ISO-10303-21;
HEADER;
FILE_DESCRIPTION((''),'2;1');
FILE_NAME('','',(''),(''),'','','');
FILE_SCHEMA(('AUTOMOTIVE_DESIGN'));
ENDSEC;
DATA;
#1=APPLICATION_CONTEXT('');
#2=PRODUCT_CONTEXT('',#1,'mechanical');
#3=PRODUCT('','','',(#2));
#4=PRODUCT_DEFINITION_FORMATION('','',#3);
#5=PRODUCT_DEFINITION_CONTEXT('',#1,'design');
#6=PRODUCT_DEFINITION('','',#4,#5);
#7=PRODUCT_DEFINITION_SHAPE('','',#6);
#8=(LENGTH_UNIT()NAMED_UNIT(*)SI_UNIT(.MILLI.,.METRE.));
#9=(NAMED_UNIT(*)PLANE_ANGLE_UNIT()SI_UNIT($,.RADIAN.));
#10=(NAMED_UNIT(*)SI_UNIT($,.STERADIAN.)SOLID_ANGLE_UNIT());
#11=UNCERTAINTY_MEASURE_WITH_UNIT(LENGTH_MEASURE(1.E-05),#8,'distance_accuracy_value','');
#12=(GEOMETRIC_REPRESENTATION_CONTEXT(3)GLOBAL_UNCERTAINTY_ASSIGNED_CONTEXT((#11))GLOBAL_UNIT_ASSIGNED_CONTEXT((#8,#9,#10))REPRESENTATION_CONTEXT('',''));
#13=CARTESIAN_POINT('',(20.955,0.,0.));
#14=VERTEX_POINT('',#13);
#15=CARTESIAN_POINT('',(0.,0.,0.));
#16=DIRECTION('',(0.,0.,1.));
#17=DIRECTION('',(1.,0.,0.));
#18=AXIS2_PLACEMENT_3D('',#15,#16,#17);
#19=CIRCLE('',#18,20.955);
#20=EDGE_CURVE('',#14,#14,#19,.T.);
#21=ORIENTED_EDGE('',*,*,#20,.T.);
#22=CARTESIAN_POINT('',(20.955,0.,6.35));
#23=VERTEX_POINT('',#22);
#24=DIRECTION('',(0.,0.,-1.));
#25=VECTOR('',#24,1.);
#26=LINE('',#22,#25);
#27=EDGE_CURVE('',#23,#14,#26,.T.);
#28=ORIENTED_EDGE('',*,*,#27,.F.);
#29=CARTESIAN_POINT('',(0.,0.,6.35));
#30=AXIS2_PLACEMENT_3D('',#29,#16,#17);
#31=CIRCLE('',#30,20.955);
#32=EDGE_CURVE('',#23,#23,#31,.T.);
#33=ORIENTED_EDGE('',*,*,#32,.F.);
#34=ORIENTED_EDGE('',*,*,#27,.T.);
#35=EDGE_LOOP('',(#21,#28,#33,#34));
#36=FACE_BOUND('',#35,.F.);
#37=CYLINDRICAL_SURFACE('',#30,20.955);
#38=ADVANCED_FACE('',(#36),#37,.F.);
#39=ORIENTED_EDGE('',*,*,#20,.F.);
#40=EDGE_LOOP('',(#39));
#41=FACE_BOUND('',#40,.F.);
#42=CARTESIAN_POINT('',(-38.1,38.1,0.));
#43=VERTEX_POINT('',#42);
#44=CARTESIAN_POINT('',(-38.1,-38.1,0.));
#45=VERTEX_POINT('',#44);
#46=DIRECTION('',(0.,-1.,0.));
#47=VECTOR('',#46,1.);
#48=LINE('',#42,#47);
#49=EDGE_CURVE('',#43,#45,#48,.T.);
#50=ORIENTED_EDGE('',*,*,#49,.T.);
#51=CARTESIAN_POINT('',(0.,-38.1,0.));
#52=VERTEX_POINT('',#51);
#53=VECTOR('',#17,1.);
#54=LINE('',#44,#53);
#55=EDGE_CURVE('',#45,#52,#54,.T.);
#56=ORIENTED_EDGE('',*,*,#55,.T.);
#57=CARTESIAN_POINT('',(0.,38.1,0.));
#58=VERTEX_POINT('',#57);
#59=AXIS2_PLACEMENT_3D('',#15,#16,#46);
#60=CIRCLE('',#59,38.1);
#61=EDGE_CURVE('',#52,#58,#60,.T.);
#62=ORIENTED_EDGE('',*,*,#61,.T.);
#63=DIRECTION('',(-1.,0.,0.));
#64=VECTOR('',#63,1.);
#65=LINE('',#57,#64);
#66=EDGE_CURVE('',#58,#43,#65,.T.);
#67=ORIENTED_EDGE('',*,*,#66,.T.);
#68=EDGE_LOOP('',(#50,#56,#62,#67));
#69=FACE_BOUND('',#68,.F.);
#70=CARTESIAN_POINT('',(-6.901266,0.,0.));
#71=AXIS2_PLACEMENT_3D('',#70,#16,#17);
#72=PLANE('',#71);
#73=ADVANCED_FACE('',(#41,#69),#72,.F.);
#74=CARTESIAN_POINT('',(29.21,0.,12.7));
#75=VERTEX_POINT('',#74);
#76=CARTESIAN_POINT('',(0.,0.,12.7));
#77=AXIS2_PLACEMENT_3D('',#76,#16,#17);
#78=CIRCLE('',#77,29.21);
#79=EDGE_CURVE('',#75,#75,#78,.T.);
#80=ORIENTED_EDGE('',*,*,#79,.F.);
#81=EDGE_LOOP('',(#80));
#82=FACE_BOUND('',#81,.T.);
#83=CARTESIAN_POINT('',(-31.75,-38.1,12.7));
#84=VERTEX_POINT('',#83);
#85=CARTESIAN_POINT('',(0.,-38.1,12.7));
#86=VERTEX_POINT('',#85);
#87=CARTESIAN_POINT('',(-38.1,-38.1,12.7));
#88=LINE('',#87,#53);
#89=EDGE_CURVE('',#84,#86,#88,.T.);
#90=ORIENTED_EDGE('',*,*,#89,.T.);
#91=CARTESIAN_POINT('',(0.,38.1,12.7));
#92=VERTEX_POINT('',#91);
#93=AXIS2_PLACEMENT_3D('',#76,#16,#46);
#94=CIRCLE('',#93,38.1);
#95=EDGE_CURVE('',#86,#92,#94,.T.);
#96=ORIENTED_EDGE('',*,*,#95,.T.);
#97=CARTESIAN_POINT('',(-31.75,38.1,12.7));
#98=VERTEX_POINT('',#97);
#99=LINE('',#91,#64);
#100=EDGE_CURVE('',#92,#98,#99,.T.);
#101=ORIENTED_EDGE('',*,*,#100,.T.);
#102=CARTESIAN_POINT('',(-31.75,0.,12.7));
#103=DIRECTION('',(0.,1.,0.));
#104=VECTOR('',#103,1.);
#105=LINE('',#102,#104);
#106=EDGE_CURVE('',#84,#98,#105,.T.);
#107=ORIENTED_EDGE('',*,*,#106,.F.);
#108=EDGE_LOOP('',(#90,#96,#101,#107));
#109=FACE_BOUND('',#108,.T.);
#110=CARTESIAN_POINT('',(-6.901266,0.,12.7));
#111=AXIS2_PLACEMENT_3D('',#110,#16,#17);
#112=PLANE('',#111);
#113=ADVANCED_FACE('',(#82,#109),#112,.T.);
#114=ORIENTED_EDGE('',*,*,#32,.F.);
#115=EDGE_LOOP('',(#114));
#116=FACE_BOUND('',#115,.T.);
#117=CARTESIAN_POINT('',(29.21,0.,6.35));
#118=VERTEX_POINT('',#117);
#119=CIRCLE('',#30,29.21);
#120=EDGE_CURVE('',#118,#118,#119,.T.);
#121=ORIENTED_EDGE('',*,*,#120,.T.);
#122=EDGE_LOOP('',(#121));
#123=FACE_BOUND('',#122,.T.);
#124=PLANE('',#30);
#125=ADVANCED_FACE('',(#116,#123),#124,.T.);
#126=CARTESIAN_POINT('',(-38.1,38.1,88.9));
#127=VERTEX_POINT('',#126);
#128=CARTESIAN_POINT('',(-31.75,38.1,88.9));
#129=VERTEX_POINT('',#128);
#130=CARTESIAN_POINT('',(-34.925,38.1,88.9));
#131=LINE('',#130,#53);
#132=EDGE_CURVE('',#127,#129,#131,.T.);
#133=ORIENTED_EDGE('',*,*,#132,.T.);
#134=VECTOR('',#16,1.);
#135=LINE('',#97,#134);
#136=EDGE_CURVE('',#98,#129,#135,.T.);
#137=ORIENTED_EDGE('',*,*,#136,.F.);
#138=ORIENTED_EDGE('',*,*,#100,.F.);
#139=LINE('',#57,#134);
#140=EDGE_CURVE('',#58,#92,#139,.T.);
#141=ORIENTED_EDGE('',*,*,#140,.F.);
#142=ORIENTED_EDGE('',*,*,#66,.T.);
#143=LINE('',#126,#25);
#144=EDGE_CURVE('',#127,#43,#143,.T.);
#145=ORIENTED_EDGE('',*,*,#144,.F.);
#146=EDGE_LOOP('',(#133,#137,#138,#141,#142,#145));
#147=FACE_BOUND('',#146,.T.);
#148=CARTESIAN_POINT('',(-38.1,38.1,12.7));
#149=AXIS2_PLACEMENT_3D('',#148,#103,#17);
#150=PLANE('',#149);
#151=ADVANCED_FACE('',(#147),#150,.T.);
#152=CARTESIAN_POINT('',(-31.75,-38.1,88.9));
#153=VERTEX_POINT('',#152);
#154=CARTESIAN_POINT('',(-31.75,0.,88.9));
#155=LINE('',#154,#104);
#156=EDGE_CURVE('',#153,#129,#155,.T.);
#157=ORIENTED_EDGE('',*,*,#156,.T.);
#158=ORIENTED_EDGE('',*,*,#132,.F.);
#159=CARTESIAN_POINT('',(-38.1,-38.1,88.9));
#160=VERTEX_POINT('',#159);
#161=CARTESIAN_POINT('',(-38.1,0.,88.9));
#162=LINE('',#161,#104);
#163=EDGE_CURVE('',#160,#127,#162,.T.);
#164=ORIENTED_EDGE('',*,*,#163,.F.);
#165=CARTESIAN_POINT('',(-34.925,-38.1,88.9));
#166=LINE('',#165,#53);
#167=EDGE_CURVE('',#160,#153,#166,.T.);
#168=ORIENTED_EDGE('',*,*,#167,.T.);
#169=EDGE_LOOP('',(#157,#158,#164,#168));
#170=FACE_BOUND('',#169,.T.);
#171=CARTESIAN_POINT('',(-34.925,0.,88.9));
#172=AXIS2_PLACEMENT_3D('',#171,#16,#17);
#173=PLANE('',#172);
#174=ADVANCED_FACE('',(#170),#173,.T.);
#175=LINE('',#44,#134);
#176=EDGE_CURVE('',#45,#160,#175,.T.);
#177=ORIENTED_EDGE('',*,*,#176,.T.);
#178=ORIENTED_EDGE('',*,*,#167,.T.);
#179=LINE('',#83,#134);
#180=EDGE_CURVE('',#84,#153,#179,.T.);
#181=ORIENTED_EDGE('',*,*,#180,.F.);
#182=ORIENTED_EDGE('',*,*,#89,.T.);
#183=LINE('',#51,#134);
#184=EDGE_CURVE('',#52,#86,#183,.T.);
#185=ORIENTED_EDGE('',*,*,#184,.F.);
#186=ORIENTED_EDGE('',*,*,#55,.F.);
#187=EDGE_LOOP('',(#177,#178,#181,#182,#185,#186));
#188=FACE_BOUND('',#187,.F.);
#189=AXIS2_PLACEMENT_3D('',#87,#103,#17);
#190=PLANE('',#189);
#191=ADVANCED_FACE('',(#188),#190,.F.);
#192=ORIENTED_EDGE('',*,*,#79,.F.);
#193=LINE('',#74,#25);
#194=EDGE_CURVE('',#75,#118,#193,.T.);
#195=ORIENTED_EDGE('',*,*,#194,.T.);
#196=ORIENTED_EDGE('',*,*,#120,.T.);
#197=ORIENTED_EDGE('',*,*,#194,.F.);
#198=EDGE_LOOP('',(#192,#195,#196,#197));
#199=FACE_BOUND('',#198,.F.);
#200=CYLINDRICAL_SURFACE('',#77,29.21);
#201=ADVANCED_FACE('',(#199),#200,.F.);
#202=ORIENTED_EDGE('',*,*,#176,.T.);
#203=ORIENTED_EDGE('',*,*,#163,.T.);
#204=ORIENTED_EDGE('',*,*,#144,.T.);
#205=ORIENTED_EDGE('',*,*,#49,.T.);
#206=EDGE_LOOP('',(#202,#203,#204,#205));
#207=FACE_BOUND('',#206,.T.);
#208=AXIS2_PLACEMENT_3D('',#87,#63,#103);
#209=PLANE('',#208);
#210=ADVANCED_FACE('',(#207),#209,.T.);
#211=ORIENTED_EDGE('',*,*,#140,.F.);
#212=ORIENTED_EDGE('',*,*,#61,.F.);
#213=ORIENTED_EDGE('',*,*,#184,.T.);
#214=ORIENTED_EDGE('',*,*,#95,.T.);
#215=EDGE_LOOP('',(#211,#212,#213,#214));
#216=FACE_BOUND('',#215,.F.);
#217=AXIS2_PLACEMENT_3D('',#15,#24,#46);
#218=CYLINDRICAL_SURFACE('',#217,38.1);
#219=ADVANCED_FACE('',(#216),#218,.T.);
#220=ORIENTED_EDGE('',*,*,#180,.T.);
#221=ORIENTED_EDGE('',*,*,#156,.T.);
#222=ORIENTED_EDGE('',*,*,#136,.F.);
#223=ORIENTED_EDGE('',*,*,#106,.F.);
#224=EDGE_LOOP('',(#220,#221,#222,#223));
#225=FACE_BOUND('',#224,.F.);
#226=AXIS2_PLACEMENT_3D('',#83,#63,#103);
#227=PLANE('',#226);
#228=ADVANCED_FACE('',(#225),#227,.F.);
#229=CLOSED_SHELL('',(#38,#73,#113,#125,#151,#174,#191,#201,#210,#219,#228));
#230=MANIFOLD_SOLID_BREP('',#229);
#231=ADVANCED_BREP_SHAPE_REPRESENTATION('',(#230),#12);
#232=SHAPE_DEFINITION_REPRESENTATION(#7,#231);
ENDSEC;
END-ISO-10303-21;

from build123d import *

# Parameters (mm, degrees)
F1_DEPTH = 12.7
F2_R     = 29.21
F3_DEPTH = 6.35
F4_R     = 20.955
F5_DEPTH = 6.35
F6_W     = 6.35
F6_H     = 76.2
F7_DEPTH = 76.2


with BuildPart() as f1:
    # F0 (on Top) → F1 (new body)
    with BuildSketch(Plane.XY):
        with BuildLine():
            ThreePointArc((0, -38.1), (38.1, 0), (0, 38.1))
            Line((0, 38.1), (-38.1, 38.1))
            Line((-38.1, 38.1), (-38.1, -38.1))
            Line((-38.1, -38.1), (0, -38.1))
        make_face()
    extrude(amount=F1_DEPTH)

    # F2 (on face) → F3 (cut)
    with BuildSketch(Plane.XY.offset(12.7)):
        Circle(F2_R)
    extrude(amount=-F3_DEPTH, mode=Mode.SUBTRACT)

    # F4 (on face) → F5 (cut)
    with BuildSketch(Plane.XY.offset(6.35)):
        Circle(F4_R)
    extrude(amount=-F5_DEPTH, mode=Mode.SUBTRACT)

    # F6 (on face) → F7 (join)
    with BuildSketch(Plane.XY.offset(12.7)):
        with Locations((-34.925, 0)):
            Rectangle(F6_W, F6_H)
    extrude(amount=F7_DEPTH)


solid = f1.part
